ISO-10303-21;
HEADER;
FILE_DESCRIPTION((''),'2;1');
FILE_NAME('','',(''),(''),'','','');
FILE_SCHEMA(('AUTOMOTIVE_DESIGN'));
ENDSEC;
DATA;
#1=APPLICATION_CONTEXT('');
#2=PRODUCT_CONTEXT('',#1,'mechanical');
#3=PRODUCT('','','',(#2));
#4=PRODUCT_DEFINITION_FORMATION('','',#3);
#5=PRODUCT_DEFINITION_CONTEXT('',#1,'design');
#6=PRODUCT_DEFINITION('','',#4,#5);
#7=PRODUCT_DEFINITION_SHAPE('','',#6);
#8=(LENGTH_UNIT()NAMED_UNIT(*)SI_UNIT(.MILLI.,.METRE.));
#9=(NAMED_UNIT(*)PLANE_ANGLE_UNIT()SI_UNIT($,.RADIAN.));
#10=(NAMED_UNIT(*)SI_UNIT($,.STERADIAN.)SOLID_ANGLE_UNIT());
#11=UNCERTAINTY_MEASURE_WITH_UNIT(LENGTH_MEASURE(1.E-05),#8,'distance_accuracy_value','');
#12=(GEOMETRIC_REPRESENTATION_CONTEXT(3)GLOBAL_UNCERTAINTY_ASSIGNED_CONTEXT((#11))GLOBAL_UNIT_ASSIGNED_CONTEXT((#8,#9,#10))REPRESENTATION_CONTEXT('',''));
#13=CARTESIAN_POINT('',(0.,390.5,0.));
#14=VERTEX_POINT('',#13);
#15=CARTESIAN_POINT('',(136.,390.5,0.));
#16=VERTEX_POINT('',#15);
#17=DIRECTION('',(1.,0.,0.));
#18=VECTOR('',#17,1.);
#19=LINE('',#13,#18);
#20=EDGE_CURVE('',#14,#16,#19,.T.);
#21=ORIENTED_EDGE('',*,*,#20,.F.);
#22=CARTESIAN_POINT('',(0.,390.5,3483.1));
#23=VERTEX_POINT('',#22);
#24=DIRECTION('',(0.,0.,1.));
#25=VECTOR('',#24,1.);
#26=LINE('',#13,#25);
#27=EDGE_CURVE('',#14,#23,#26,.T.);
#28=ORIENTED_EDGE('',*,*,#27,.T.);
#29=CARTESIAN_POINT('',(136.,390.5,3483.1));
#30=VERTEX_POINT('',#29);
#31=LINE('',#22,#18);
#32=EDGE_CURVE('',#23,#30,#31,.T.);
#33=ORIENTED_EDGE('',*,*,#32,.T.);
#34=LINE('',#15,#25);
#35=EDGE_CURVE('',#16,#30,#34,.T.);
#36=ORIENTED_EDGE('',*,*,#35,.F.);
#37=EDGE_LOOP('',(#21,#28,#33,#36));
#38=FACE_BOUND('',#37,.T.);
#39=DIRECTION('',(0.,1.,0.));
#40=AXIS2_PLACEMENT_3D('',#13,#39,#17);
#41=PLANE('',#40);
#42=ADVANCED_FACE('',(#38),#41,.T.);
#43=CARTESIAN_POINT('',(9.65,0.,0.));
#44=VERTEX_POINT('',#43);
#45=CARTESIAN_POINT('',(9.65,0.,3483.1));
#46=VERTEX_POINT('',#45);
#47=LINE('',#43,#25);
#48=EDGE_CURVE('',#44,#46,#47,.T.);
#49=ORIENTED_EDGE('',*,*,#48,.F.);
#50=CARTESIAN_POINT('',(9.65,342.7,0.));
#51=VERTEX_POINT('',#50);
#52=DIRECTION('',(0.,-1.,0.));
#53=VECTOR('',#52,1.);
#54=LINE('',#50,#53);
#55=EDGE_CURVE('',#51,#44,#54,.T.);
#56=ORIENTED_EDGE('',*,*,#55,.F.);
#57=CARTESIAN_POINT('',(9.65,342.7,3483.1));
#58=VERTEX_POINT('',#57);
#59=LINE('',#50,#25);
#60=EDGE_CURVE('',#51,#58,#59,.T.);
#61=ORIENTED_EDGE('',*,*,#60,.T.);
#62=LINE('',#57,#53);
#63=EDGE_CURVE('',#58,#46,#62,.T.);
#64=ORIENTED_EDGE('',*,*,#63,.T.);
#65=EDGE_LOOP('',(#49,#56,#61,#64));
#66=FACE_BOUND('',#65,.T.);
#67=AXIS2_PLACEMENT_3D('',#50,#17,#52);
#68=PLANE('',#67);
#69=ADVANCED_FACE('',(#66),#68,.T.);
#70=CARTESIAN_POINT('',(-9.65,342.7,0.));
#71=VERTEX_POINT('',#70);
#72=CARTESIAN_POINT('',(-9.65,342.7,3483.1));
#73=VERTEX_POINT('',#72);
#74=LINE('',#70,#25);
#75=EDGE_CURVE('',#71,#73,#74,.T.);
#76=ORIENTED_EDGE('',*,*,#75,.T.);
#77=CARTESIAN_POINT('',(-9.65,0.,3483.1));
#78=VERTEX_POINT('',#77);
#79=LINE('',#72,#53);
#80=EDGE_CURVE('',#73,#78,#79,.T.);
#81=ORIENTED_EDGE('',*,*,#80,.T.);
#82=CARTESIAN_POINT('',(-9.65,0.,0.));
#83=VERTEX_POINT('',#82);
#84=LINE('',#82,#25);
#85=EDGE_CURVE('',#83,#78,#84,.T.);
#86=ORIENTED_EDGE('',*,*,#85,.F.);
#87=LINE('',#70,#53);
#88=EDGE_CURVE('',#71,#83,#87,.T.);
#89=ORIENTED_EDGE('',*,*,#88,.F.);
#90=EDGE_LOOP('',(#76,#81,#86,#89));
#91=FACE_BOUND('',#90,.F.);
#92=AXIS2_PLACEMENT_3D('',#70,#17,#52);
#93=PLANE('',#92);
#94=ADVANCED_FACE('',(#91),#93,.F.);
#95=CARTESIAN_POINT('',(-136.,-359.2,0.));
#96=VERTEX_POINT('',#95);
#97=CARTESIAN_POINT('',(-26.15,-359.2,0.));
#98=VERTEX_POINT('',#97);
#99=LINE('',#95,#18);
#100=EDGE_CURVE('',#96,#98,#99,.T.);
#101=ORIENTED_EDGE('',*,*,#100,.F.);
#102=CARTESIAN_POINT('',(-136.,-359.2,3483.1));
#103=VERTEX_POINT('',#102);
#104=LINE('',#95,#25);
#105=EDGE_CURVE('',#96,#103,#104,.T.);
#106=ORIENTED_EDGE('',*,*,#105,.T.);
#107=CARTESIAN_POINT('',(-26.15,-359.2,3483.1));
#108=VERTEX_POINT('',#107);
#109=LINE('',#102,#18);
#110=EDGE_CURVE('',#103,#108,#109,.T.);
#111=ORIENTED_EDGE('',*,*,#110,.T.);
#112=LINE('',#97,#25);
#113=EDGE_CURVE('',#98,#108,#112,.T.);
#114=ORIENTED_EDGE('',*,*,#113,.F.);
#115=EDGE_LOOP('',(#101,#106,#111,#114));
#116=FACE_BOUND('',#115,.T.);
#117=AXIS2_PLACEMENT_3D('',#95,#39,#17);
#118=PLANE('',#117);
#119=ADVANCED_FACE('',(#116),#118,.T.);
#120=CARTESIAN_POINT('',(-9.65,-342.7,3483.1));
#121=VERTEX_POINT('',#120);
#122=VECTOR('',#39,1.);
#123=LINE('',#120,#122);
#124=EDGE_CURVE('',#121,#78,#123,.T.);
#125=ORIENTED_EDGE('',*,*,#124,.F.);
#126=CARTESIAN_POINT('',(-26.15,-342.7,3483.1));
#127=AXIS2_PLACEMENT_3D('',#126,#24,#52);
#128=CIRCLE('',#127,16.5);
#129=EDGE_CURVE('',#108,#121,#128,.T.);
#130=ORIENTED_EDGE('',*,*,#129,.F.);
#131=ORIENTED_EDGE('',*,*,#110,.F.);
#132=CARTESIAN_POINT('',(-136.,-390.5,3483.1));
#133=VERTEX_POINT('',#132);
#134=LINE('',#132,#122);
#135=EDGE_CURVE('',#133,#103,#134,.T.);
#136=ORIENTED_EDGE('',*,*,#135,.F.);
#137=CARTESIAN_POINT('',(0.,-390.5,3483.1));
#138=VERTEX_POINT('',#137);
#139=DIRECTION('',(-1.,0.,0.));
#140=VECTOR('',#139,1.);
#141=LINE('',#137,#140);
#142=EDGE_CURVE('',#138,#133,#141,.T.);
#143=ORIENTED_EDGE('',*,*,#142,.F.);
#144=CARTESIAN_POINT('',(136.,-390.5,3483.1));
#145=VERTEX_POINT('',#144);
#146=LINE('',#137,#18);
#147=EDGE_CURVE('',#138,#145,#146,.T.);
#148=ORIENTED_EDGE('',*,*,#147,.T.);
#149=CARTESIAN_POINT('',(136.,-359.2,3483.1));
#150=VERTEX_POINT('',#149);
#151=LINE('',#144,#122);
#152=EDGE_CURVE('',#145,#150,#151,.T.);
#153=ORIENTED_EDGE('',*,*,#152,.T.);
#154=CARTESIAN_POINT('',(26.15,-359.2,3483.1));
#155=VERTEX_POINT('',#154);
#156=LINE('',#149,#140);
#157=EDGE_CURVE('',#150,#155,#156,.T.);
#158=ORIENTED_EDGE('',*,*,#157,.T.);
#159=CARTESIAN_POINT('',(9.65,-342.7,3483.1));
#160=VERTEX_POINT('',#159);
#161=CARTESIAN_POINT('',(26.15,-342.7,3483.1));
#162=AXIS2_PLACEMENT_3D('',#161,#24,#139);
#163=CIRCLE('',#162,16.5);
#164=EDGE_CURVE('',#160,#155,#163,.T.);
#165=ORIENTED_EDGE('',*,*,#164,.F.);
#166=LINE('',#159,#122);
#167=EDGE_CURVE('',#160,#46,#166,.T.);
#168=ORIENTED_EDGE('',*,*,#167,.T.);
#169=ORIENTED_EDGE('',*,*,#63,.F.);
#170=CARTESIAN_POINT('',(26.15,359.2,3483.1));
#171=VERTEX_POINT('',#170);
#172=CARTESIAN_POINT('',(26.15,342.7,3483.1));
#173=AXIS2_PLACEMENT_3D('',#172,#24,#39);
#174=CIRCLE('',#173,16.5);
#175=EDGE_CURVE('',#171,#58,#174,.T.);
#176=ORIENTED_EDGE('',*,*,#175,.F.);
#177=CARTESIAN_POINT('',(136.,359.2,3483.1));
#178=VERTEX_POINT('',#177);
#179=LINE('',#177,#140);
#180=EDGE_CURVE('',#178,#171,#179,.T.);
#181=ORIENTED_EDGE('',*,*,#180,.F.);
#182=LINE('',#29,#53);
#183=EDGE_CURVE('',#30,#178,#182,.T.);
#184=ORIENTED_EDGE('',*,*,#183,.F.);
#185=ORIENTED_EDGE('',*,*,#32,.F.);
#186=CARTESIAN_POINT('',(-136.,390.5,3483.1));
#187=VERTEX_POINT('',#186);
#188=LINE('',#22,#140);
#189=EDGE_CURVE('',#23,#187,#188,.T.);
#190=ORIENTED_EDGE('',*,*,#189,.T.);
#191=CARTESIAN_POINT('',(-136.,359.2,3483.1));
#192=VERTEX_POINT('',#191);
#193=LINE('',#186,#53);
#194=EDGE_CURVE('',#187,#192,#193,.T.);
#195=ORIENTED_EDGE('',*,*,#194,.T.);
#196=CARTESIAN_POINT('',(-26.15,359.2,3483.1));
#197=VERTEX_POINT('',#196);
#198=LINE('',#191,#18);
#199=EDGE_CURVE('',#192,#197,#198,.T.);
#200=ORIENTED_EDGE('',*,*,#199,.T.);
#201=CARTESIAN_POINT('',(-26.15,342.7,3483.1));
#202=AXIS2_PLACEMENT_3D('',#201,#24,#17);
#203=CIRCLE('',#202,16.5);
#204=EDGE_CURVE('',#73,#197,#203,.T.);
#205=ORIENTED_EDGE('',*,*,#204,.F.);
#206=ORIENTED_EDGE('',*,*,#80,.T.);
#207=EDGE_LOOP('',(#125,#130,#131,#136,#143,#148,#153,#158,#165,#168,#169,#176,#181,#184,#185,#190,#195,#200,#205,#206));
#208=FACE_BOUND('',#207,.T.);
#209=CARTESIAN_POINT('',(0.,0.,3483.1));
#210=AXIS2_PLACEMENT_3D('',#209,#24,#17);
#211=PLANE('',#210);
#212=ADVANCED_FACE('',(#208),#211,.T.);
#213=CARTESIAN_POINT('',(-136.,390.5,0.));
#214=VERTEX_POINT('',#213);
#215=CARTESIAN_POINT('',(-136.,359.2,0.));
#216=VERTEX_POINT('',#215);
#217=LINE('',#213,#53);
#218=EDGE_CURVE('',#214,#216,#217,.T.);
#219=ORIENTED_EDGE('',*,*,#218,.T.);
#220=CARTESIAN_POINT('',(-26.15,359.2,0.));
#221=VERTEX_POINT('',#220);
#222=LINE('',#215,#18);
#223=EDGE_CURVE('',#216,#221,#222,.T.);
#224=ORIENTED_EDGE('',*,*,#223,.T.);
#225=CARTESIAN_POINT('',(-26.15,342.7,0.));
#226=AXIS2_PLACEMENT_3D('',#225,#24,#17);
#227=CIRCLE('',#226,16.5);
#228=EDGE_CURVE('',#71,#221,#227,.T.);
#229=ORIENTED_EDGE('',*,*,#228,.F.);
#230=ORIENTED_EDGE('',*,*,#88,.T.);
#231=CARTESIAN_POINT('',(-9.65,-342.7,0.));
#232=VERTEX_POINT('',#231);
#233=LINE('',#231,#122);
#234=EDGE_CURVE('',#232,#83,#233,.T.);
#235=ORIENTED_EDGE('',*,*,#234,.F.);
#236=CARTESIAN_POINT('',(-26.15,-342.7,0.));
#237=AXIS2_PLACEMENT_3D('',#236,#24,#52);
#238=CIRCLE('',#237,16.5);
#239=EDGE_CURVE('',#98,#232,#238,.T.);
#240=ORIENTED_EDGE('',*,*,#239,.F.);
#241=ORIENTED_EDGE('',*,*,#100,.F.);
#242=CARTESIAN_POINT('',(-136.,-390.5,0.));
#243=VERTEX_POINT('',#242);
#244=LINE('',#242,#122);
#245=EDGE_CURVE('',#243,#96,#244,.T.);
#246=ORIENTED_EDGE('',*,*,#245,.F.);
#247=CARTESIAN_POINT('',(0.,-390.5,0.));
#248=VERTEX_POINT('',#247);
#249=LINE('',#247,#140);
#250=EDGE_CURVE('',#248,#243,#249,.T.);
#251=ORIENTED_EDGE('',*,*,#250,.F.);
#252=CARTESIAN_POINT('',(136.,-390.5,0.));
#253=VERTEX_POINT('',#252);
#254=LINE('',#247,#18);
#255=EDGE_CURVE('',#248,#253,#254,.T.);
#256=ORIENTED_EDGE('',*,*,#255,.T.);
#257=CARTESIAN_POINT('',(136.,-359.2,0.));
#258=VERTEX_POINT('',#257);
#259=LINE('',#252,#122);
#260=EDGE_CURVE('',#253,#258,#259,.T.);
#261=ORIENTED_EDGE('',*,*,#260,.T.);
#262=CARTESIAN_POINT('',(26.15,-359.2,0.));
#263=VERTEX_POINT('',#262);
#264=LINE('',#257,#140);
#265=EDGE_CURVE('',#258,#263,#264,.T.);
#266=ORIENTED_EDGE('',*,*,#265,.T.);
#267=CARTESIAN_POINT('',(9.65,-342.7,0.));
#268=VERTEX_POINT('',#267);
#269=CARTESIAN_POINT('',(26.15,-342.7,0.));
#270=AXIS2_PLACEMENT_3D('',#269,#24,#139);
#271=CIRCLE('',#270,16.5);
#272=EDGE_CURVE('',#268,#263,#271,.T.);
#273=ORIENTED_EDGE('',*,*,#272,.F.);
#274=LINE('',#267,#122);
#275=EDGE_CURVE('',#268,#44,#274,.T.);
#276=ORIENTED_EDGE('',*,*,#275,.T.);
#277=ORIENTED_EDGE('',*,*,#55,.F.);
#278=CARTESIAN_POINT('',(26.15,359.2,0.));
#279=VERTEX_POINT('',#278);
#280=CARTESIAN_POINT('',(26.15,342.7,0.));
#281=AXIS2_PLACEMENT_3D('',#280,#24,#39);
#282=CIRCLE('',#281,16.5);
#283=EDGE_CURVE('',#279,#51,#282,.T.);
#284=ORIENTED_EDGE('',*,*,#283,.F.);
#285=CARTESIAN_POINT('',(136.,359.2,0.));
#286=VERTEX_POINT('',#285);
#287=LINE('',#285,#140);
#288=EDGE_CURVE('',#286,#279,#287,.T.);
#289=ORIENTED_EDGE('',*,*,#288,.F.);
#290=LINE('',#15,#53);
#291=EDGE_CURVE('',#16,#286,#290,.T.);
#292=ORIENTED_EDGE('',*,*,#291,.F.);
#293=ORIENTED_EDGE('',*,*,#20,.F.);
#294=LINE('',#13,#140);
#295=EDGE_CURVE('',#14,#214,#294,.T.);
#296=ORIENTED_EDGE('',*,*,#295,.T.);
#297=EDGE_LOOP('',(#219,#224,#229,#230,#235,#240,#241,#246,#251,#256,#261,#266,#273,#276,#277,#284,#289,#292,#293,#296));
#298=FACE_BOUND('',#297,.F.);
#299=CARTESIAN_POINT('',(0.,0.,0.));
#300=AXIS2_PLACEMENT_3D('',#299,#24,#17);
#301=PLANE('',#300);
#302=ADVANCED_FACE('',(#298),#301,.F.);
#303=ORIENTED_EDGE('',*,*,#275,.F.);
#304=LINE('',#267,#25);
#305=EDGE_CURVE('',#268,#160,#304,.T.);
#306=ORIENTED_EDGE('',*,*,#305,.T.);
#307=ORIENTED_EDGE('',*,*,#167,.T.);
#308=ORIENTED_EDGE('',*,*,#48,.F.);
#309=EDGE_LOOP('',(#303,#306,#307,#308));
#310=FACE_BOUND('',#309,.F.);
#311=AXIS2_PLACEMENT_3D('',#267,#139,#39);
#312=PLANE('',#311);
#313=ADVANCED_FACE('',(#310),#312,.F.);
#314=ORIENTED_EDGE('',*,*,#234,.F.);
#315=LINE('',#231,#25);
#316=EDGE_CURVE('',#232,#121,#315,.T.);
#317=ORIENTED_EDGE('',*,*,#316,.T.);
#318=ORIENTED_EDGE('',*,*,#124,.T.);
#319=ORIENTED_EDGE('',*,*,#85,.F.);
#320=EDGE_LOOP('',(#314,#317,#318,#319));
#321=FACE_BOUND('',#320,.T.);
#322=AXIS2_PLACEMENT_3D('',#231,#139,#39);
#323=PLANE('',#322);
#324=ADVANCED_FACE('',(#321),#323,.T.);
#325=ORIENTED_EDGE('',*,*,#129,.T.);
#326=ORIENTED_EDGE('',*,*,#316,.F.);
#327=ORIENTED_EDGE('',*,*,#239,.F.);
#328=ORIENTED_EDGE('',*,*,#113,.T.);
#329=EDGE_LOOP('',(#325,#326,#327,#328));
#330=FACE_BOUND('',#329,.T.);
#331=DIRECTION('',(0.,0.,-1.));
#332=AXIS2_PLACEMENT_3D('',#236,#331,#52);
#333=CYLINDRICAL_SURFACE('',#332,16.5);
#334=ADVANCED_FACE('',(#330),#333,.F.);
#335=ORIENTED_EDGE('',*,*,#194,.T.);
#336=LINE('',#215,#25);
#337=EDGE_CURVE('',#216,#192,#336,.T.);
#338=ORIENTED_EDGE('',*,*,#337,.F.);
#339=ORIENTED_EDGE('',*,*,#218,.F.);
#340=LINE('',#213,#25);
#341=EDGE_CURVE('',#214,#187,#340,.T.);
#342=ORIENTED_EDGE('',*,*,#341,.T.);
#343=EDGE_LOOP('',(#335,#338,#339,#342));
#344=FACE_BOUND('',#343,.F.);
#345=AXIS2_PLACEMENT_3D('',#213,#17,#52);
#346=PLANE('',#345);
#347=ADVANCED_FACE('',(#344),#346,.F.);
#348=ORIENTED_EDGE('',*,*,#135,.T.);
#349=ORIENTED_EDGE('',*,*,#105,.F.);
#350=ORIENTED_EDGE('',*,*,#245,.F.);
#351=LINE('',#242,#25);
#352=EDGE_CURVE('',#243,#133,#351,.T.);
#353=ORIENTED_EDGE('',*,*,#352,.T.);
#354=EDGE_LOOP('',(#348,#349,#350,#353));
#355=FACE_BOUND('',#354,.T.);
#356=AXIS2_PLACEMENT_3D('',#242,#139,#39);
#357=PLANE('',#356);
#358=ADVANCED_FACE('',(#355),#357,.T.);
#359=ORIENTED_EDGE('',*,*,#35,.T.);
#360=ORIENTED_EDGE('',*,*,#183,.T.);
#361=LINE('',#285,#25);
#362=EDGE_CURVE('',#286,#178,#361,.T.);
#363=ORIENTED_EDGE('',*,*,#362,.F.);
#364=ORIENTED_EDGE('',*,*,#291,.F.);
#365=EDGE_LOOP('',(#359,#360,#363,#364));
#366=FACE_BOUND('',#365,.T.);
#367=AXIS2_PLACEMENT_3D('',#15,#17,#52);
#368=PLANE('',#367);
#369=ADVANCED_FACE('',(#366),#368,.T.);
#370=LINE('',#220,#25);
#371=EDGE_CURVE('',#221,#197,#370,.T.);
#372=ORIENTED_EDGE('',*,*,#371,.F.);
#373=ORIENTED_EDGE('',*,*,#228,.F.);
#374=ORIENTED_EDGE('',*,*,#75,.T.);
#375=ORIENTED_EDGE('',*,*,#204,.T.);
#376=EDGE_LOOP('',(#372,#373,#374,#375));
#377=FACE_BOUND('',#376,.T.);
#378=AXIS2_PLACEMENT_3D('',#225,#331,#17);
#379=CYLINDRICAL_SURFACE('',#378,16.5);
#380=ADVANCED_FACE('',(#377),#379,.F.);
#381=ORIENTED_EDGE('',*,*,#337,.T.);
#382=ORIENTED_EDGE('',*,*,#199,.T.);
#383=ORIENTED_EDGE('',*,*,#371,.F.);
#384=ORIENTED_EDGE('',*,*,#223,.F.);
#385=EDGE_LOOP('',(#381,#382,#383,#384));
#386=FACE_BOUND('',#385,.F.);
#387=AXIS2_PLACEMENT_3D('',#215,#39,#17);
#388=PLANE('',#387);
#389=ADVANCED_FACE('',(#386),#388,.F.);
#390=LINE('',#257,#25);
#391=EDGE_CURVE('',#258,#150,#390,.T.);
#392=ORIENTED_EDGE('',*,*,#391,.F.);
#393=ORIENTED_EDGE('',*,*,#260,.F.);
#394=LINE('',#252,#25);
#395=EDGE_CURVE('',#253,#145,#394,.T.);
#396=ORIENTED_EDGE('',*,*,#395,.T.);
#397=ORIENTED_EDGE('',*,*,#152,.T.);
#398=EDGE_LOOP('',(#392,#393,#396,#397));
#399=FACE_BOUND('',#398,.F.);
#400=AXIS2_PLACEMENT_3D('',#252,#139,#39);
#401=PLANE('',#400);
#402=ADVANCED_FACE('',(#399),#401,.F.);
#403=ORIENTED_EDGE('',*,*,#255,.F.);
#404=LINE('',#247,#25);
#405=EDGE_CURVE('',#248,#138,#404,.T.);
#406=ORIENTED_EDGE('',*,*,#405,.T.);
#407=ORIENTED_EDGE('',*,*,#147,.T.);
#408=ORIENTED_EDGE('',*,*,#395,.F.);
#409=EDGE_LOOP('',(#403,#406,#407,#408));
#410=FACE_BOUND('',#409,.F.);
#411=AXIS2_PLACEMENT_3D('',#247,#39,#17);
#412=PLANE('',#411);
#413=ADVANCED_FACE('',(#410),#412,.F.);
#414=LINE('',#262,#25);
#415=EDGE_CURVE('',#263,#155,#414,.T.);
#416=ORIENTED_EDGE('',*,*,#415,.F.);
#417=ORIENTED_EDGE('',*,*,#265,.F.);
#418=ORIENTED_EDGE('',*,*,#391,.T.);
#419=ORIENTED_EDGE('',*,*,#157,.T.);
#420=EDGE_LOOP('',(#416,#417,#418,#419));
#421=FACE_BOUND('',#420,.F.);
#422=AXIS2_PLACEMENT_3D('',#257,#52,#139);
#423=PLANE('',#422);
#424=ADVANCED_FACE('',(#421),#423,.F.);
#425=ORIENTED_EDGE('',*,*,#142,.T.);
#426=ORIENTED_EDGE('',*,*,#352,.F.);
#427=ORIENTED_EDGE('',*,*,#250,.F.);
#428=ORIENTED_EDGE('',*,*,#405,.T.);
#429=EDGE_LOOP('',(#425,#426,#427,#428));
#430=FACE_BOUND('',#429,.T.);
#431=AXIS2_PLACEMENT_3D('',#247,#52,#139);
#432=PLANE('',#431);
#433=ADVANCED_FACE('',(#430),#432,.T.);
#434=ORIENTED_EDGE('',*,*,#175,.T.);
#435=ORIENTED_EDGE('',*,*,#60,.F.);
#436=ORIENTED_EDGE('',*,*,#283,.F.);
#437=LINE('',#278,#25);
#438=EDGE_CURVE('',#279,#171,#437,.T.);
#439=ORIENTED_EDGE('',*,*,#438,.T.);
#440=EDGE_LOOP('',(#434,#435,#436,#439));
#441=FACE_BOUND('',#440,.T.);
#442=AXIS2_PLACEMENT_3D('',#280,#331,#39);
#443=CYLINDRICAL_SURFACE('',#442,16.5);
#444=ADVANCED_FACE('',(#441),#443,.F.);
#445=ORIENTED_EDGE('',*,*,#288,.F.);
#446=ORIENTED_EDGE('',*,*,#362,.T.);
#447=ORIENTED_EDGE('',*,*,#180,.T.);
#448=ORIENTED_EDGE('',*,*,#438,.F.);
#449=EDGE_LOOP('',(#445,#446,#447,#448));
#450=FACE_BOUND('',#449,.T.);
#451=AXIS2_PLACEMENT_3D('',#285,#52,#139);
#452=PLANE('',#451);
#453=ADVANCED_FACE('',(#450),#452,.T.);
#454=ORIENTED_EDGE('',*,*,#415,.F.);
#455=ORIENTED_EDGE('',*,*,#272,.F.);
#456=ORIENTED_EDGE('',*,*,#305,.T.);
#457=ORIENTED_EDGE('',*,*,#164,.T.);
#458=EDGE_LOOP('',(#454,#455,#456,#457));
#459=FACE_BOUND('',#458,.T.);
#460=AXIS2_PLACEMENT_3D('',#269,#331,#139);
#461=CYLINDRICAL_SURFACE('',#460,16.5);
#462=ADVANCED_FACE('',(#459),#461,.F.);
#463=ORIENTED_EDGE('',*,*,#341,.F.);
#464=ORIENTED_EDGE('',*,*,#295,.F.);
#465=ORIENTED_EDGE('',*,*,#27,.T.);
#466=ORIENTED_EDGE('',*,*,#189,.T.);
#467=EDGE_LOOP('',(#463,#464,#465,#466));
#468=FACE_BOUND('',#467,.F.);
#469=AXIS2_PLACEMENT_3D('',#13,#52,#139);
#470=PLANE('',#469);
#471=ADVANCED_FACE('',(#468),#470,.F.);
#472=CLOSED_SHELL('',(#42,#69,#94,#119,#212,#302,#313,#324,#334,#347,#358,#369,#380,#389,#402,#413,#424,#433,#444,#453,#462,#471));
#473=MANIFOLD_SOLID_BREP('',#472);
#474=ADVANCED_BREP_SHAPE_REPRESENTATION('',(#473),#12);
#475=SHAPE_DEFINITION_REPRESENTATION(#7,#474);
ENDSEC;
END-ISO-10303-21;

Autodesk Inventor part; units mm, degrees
ref_plane "YZ Plane" through (0, 0, 0) normal (1, 0, 0) x (0, 1, 0)
ref_plane "Start plane" through (0, 0, 0) normal (0, 0, 1) x (1, 0, 0)
ref_plane "End plane" through (0, 0, 3483.1) normal (0, 0, 1) x (1, 0, 0)
sketch "Sketch" plane through (0, 0, 0) normal (0, 0, 1) x (1, 0, 0)
  line L0 (-136, -390.5) -> (-136, -359.2)
  line L1 (-136, -359.2) -> (-26.15, -359.2)
  line L2 (-9.65, -342.7) -> (-9.65, 0)
  line L3 (-9.65, 0) -> (0, 0) construction
  line L4 (0, 0) -> (0, -390.5) construction
  line L5 (0, -390.5) -> (-136, -390.5)
  line L6 (-60, 0) -> (80, 0) construction
  line L7 (0, -60) -> (0, 80) construction
  line L8 (136, -390.5) -> (136, -359.2)
  line L9 (136, -359.2) -> (26.15, -359.2)
  line L10 (9.65, -342.7) -> (9.65, 0)
  line L11 (9.65, 0) -> (0, 0) construction
  line L12 (0, -390.5) -> (136, -390.5)
  line L13 (-136, 390.5) -> (-136, 359.2)
  line L14 (-136, 359.2) -> (-26.15, 359.2)
  line L15 (-9.65, 342.7) -> (-9.65, 0)
  line L16 (0, 390.5) -> (-136, 390.5)
  line L17 (136, 390.5) -> (136, 359.2)
  line L18 (136, 359.2) -> (26.15, 359.2)
  line L19 (0, 390.5) -> (136, 390.5)
  line L20 (9.65, 342.7) -> (9.65, 0)
  arc A0 (-9.65, 342.7) -> (-26.15, 359.2) centre (-26.15, 342.7) ccw
  arc A1 (26.15, 359.2) -> (9.65, 342.7) centre (26.15, 342.7) ccw
  arc A2 (9.65, -342.7) -> (26.15, -359.2) centre (26.15, -342.7) ccw
  arc A3 (-26.15, -359.2) -> (-9.65, -342.7) centre (-26.15, -342.7) ccw
  line L21 (0, 108) -> (0, -88) construction
  line L22 (-88, 0) -> (108, 0) construction
  point P0 (-9.65, -359.2)
  point P1 (9.65, -359.2)
  point P2 (-9.65, 359.2)
  point P3 (9.65, 359.2)
  dimension "d1" = 390.5
  dimension "d2" = 31.3
  dimension "d3" = 136
  dimension "d4" = 9.65
  dimension "d10" = 16.5
extrude "Body" add sketch "Sketch" along normal up to surface (3483.1 mm away) from surface at 0
sketch "Sketch4" plane through (0, 0, 0) normal (0, 0, 1) x (1, 0, 0)
  line L0 (0, 0) -> (10, 0)
ref_plane "Work Plane3" through (0, 0, 0) normal (0, -1, 0) x (1, 0, 0)
sketch "Sketch5" plane through (0, 0, 0) normal (0, -1, 0) x (1, 0, 0)
  line L0 (-2, 0) -> (12, 0) projected
  line L1 (-2, 3483.1) -> (12, 3483.1) projected
  dimension "d14" = 3483.1
equation "\"d1\" = 0.5 * G_H"
equation "\"d2\" = G_T1"
equation "\"d3\" = 0.5 * G_W"
equation "\"d4\" = 0.5 * G_T"
equation "\"d10\" = G_IR"
equation "\"d5\" = G_L"
equation "\"G_W\" = 272"
equation "\"G_H\" = 781"
equation "\"G_T\" = 19.3"
equation "\"G_T1\" = 31.3"
equation "\"G_IR\" = 16.5"
equation "\"G_L\" = d14"
equation "\"G_OFFSET_START\" = 0"
equation "\"G_OFFSET_END\" = 0"
equation "\"d12\" = G_OFFSET_END + B_L"
equation "\"B_L\" = 3483.1"
properties part number "AS 3679-1990 - 760 UB - 244 - 3483.1" material "Steel, Mild"
